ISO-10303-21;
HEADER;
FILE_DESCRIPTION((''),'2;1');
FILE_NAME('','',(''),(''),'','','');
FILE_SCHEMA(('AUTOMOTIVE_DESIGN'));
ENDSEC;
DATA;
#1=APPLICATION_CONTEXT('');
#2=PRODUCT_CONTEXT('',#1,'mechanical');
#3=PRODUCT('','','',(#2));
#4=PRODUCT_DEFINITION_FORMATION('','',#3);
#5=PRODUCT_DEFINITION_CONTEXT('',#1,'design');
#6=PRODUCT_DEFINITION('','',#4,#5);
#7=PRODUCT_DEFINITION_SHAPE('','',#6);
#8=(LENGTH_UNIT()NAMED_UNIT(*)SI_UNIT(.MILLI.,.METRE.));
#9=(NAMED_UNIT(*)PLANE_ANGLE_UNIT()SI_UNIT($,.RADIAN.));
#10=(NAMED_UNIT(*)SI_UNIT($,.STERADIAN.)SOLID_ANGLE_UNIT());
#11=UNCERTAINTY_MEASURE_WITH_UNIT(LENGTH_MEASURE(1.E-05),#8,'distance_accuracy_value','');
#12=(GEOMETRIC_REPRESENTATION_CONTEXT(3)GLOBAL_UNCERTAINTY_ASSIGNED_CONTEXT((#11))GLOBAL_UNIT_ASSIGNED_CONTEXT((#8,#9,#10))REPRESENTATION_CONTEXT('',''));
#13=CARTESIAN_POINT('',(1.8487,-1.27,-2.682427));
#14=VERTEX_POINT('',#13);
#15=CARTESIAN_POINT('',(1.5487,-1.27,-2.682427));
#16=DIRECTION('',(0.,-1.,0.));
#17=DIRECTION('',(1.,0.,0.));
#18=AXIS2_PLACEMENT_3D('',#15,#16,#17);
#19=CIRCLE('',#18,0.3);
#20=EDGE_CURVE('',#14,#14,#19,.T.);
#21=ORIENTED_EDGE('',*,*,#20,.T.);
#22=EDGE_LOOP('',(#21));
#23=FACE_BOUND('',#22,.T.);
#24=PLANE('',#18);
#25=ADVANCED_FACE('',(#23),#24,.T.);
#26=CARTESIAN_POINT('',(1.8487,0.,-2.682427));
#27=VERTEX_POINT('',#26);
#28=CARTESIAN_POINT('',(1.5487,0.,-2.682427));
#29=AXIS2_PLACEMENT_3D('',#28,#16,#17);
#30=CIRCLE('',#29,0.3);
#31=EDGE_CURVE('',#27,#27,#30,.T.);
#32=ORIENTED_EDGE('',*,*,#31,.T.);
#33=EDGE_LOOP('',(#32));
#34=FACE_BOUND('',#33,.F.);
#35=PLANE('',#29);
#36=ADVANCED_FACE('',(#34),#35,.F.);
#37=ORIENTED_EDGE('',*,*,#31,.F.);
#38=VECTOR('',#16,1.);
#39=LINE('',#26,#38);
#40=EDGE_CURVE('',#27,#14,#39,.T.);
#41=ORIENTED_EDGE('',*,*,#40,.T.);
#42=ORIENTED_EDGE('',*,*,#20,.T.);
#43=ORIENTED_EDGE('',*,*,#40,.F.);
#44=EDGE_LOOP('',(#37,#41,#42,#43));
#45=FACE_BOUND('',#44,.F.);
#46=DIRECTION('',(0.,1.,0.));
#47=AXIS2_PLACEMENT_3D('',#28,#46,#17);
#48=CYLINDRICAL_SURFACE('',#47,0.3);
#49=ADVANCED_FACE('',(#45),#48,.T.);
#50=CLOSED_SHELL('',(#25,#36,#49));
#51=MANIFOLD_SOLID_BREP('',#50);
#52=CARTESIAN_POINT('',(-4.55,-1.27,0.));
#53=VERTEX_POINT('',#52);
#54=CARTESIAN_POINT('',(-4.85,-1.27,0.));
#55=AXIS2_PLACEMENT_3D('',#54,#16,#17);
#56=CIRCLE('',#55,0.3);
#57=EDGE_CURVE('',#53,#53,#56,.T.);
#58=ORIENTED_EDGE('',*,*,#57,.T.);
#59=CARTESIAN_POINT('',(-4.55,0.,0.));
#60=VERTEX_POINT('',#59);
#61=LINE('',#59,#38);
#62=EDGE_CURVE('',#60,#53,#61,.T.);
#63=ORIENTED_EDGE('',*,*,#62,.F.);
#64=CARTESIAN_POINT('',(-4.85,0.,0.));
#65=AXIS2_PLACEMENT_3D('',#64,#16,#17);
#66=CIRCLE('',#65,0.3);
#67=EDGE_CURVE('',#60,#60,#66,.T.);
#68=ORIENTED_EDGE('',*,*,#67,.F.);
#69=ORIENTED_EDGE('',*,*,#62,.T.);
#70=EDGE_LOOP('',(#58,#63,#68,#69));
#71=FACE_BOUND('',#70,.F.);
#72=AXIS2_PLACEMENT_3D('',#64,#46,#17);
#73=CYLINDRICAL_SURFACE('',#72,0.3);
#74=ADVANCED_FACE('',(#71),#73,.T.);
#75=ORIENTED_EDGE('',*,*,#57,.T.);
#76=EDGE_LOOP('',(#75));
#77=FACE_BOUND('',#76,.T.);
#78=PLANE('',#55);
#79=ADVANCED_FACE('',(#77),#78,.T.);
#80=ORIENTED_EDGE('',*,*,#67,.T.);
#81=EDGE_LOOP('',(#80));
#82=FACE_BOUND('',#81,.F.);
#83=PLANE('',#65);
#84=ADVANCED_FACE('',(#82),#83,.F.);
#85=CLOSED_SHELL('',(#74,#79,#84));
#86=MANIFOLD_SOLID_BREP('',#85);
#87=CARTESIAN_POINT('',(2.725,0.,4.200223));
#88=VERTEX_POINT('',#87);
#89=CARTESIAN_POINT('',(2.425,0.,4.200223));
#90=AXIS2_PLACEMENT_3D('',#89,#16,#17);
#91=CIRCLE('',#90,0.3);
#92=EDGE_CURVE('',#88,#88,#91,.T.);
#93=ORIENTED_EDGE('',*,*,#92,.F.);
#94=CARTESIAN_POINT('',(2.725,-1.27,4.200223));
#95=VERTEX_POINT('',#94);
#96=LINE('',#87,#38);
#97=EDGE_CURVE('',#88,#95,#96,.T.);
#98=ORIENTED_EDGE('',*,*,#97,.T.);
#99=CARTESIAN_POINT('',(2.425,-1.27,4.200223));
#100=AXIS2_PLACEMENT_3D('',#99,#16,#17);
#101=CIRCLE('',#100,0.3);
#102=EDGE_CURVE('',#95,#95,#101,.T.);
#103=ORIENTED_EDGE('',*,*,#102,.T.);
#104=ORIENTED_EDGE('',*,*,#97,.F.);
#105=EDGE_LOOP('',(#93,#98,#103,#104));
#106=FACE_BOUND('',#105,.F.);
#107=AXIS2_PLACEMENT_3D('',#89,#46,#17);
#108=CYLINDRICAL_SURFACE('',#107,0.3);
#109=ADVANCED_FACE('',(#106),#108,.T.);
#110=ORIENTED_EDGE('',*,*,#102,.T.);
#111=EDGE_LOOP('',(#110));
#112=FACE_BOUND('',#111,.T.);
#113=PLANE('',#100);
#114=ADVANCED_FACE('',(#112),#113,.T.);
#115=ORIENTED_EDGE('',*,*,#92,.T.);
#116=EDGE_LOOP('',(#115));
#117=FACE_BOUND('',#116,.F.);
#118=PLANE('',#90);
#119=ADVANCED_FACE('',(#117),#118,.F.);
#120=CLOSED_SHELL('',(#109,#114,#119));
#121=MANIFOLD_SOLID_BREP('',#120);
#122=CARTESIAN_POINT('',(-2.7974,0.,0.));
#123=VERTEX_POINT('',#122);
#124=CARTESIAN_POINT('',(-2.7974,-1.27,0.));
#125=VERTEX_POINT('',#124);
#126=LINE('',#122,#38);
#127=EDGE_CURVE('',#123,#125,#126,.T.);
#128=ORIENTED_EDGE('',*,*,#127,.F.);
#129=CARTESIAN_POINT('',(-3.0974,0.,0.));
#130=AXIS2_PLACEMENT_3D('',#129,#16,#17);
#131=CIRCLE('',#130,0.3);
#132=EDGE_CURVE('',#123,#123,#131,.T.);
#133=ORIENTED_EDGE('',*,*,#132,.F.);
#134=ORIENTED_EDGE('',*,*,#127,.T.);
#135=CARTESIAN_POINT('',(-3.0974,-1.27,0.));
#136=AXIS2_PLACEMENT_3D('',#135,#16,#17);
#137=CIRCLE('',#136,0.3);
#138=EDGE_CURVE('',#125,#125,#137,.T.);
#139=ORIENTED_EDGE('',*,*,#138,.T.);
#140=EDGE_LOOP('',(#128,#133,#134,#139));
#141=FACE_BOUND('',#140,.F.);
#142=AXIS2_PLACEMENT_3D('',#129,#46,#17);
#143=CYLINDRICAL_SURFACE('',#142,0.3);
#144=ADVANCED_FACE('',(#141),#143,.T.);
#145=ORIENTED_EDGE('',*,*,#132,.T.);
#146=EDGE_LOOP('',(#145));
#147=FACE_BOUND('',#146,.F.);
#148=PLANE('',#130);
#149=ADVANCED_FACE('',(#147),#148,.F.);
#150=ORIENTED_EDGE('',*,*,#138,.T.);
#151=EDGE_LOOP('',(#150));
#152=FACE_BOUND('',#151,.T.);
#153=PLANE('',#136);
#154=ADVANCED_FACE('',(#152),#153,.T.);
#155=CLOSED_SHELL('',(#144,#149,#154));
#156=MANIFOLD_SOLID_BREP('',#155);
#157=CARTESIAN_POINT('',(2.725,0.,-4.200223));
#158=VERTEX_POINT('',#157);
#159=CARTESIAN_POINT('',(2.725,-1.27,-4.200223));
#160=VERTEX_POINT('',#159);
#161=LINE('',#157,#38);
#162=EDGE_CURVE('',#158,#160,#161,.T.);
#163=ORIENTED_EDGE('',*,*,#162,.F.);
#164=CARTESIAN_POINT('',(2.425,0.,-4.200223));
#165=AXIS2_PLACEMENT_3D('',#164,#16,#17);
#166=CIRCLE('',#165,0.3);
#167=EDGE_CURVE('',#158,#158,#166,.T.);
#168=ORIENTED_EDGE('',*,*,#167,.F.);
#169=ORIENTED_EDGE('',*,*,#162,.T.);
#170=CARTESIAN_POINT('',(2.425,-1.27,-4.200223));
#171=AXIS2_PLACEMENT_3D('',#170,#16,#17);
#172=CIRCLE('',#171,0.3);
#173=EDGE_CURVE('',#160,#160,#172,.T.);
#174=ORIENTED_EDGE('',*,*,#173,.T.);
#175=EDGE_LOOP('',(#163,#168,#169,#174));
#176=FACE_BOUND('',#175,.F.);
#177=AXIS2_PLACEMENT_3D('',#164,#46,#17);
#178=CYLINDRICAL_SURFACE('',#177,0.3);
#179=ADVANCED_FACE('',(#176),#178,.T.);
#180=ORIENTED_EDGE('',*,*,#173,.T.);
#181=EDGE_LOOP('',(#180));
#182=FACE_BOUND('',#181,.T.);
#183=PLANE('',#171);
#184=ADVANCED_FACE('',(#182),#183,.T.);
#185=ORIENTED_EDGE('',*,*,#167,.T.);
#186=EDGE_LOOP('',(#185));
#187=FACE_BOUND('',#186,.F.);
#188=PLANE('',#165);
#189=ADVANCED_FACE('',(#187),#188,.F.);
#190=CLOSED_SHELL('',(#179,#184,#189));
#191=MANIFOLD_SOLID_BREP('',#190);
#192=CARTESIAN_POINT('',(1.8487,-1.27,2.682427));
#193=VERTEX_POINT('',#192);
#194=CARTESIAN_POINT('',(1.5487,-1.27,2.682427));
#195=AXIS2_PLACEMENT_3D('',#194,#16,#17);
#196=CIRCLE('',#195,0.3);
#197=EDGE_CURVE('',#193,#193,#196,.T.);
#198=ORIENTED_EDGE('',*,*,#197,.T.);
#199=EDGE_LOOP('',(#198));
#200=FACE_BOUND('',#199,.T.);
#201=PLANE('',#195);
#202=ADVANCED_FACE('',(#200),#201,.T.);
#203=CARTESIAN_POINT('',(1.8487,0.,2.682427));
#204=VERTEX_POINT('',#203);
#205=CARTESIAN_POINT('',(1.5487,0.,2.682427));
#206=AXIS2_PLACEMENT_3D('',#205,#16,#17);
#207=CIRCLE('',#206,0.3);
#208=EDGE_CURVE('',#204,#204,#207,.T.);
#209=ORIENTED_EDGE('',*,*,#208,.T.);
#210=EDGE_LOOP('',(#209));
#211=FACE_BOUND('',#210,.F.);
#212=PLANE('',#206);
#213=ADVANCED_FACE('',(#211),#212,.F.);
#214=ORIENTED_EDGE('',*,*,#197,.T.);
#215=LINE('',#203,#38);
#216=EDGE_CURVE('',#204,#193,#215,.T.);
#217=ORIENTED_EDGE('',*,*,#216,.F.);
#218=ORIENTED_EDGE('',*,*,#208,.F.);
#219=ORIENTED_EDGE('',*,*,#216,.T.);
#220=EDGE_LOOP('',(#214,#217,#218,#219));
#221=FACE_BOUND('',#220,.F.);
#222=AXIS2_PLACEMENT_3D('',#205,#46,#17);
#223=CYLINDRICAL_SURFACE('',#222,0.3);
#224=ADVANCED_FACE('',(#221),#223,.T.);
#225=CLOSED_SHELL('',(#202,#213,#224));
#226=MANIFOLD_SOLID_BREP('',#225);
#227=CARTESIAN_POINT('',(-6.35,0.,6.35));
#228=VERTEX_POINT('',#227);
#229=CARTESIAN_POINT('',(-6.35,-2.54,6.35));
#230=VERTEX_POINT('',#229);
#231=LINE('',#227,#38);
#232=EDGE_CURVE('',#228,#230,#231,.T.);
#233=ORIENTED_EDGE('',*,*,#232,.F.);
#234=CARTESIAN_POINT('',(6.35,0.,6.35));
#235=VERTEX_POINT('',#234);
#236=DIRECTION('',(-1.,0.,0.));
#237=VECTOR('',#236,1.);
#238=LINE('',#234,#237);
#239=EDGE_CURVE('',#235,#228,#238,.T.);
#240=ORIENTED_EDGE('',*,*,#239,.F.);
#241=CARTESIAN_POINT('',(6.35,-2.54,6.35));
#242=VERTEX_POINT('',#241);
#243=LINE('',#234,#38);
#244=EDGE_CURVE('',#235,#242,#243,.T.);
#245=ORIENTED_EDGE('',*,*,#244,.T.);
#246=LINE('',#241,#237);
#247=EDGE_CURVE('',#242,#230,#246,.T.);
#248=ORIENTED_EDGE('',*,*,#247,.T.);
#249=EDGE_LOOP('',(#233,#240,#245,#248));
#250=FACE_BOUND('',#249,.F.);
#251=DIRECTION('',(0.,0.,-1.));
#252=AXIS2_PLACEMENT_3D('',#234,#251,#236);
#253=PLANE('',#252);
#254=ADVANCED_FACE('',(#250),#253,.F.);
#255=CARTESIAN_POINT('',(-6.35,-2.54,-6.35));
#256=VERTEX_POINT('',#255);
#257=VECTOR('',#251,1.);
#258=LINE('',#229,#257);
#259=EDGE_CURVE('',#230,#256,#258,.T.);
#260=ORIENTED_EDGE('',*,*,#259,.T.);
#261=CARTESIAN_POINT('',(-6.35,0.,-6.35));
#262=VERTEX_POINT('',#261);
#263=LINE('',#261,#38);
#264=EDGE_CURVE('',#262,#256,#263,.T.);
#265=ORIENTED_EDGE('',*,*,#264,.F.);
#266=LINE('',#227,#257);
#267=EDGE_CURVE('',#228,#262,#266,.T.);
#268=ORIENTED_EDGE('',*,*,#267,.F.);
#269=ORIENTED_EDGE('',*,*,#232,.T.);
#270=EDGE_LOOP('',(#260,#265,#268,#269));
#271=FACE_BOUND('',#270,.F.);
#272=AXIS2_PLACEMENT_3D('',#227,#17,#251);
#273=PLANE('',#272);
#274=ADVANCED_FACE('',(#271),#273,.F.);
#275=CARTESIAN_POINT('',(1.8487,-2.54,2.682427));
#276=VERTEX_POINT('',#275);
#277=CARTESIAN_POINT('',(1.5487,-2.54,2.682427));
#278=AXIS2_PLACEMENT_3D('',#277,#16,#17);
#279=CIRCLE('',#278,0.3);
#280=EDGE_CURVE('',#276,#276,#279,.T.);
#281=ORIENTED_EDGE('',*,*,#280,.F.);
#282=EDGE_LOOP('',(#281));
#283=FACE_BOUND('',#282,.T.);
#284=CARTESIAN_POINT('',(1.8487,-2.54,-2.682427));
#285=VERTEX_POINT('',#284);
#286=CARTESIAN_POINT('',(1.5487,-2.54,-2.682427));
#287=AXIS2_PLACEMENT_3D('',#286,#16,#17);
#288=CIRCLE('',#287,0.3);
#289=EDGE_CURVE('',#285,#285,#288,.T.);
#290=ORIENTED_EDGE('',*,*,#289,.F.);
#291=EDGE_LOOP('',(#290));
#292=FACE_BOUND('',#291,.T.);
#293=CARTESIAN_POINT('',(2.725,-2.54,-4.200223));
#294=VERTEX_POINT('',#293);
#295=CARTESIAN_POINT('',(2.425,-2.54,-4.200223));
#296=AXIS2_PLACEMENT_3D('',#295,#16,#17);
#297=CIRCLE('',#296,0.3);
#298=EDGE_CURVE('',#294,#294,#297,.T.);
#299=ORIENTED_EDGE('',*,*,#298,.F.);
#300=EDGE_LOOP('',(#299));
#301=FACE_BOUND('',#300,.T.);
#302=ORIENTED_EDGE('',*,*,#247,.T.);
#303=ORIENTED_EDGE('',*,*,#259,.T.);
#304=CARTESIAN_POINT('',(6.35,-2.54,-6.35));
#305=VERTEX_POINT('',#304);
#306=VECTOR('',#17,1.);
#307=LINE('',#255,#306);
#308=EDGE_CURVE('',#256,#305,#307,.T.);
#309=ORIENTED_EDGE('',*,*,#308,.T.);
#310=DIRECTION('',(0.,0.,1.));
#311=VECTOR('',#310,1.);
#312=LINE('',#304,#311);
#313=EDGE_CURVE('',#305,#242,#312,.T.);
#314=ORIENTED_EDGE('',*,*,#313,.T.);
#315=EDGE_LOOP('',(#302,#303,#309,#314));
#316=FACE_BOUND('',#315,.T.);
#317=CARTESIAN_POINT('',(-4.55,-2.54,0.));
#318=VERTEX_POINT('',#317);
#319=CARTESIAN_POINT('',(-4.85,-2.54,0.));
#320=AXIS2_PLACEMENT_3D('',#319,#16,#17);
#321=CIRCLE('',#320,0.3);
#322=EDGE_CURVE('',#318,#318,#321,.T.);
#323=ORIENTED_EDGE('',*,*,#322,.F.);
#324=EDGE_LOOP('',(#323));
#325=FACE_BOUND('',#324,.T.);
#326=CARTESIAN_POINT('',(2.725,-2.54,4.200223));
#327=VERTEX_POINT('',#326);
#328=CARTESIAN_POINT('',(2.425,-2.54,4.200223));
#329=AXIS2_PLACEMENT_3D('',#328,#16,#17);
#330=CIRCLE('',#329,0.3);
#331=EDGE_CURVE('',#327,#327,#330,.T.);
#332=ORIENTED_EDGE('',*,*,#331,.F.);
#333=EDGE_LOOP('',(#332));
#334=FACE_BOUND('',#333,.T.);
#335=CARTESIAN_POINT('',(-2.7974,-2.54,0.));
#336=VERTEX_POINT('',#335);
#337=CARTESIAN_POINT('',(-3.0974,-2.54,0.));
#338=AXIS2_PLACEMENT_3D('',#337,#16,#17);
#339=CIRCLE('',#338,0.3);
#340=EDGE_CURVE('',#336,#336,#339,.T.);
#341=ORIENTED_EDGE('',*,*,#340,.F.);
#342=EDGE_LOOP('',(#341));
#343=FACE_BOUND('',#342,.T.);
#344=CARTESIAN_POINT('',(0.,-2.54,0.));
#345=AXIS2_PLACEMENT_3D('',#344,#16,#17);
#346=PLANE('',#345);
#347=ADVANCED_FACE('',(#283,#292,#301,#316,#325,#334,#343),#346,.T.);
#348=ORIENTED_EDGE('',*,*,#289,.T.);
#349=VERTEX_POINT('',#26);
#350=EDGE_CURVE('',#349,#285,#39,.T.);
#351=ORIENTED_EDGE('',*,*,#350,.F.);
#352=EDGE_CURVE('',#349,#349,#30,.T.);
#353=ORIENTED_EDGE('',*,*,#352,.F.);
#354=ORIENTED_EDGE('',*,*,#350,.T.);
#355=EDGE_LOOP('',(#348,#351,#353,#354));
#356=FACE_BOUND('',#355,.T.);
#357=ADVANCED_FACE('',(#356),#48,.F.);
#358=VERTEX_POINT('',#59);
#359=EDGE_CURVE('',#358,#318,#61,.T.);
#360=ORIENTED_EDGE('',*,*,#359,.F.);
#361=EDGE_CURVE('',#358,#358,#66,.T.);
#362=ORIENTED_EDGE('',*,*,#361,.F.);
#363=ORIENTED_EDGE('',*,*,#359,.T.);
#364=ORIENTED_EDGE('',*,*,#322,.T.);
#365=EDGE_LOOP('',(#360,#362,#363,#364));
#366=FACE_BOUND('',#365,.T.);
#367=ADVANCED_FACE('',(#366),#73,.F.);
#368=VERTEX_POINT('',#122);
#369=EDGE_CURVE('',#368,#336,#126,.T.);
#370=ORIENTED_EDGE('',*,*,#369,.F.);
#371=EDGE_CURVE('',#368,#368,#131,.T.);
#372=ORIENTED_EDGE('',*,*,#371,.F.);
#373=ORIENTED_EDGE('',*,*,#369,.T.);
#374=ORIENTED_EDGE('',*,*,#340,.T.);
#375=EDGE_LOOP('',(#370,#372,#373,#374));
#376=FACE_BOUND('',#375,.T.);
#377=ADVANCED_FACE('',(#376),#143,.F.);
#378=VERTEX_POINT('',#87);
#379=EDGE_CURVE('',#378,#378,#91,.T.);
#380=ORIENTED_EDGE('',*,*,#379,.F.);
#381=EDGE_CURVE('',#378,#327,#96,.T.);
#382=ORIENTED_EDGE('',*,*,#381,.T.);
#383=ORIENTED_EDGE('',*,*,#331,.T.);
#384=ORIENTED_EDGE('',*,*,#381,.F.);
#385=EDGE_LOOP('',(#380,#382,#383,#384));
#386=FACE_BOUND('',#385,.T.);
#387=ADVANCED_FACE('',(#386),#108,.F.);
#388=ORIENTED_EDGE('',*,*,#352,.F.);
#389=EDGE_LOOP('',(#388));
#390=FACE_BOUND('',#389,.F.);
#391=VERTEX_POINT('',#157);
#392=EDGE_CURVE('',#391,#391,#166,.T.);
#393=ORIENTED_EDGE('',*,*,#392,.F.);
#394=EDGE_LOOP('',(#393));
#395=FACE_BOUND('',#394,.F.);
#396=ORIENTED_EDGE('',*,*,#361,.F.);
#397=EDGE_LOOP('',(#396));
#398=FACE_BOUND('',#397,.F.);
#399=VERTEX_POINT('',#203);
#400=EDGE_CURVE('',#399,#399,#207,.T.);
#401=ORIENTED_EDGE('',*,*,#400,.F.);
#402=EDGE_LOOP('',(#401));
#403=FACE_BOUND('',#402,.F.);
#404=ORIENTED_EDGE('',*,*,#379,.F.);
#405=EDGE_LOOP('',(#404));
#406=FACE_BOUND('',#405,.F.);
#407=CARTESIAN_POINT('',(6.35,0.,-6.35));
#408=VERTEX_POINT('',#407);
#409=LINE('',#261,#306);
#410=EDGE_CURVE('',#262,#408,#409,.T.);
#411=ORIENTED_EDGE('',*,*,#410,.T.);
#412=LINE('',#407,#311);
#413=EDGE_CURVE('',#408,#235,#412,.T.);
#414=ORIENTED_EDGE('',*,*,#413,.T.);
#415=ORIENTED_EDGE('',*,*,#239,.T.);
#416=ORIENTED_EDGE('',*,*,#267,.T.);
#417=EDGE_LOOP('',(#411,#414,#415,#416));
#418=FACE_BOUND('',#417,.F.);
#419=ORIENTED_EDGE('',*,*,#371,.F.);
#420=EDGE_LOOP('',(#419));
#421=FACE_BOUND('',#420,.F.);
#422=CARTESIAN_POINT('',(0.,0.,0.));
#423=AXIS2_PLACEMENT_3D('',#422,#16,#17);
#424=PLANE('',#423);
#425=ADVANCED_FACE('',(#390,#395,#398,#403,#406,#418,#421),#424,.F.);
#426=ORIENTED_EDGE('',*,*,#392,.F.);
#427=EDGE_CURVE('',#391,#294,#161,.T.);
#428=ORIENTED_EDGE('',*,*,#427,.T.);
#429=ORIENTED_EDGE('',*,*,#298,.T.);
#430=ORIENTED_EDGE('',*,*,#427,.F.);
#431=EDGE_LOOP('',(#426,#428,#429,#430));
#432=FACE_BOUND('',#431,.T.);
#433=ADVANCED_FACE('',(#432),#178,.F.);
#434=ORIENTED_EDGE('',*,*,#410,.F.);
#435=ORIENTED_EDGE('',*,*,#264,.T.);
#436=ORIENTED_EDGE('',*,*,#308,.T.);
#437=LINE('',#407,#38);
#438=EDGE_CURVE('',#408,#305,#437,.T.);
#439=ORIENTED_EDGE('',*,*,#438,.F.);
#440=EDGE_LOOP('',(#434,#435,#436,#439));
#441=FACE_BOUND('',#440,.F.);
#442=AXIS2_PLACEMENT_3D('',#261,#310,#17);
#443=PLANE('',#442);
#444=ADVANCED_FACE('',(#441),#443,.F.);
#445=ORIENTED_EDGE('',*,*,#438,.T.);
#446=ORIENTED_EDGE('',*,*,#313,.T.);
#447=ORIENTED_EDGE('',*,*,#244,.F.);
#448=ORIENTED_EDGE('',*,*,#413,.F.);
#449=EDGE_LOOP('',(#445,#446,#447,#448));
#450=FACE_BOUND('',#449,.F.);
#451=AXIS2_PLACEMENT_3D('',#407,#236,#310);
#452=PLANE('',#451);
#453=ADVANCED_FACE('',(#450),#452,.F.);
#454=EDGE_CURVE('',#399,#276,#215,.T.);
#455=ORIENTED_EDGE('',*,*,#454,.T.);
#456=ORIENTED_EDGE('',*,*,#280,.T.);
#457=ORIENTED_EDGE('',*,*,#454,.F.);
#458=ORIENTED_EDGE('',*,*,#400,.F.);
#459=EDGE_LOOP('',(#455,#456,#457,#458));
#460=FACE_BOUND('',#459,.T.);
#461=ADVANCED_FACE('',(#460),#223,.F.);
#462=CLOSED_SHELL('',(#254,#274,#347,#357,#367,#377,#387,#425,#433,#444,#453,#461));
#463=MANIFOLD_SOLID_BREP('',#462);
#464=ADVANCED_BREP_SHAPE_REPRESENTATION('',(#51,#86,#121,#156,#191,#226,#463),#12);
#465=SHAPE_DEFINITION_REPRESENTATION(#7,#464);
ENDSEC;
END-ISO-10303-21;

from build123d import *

# Parameters (mm, degrees)
F0_R     = 0.3
F1_DEPTH = 1.27
F2_DEPTH = 2.54


with BuildPart() as f1:
    # F0 (on Front) → F1 (new body)
    with BuildSketch(Plane.XZ):
        with Locations((2.425, 4.2002232084)):
            Circle(F0_R)
    extrude(amount=F1_DEPTH)


with BuildPart() as f1b:
    # F0 (on Front) → F1, piece 2 (new body)
    with BuildSketch(Plane.XZ):
        with Locations((1.5487, 2.6824270857)):
            Circle(F0_R)
    extrude(amount=F1_DEPTH)


with BuildPart() as f1c:
    # F0 (on Front) → F1, piece 3 (new body)
    with BuildSketch(Plane.XZ):
        with Locations((-3.0974, 0)):
            Circle(F0_R)
    extrude(amount=F1_DEPTH)


with BuildPart() as f1d:
    # F0 (on Front) → F1, piece 4 (new body)
    with BuildSketch(Plane.XZ):
        with Locations((-4.85, 0)):
            Circle(F0_R)
    extrude(amount=F1_DEPTH)


with BuildPart() as f1e:
    # F0 (on Front) → F1, piece 5 (new body)
    with BuildSketch(Plane.XZ):
        with Locations((1.5487, -2.6824270857)):
            Circle(F0_R)
    extrude(amount=F1_DEPTH)


with BuildPart() as f1f:
    # F0 (on Front) → F1, piece 6 (new body)
    with BuildSketch(Plane.XZ):
        with Locations((2.425, -4.2002232084)):
            Circle(F0_R)
    extrude(amount=F1_DEPTH)


with BuildPart() as f2:
    # F0 (on Front) → F2 (new body)
    with BuildSketch(Plane.XZ):
        with BuildLine():
            ThreePointArc((0, -6.35), (4.4901280605, -4.4901280605), (6.35, 0))
            ThreePointArc((6.35, 0), (4.4901280605, 4.4901280605), (0, 6.35))
            ThreePointArc((0, 6.35), (-4.4901280605, 4.4901280605), (-6.35, 0))
            ThreePointArc((-6.35, 0), (-4.4901280605, -4.4901280605), (0, -6.35))
        make_face()
        with Locations((-4.85, 0)):
            Circle(F0_R, mode=Mode.SUBTRACT)
        with Locations((-3.0974, 0)):
            Circle(F0_R, mode=Mode.SUBTRACT)
        with Locations((2.425, -4.2002232084)):
            Circle(F0_R, mode=Mode.SUBTRACT)
        with Locations((1.5487, -2.6824270857)):
            Circle(F0_R, mode=Mode.SUBTRACT)
        with Locations((1.5487, 2.6824270857)):
            Circle(F0_R, mode=Mode.SUBTRACT)
        with Locations((2.425, 4.2002232084)):
            Circle(F0_R, mode=Mode.SUBTRACT)
        with BuildLine():
            Line((6.35, -6.35), (6.35, 0))
            ThreePointArc((6.35, 0), (4.4901280605, -4.4901280605), (0, -6.35))
            Line((0, -6.35), (6.35, -6.35))
        make_face()
        with BuildLine():
            ThreePointArc((0, 6.35), (4.4901280605, 4.4901280605), (6.35, 0))
            Line((6.35, 0), (6.35, 6.35))
            Line((6.35, 6.35), (0, 6.35))
        make_face()
        with BuildLine():
            ThreePointArc((-6.35, 0), (-4.4901280605, 4.4901280605), (0, 6.35))
            Line((0, 6.35), (-6.35, 6.35))
            Line((-6.35, 6.35), (-6.35, 0))
        make_face()
        with BuildLine():
            Line((-6.35, -6.35), (0, -6.35))
            ThreePointArc((0, -6.35), (-4.4901280605, -4.4901280605), (-6.35, 0))
            Line((-6.35, 0), (-6.35, -6.35))
        make_face()
    extrude(amount=F2_DEPTH)


solid = Compound([f1.part, f1b.part, f1c.part, f1d.part, f1e.part, f1f.part, f2.part])
